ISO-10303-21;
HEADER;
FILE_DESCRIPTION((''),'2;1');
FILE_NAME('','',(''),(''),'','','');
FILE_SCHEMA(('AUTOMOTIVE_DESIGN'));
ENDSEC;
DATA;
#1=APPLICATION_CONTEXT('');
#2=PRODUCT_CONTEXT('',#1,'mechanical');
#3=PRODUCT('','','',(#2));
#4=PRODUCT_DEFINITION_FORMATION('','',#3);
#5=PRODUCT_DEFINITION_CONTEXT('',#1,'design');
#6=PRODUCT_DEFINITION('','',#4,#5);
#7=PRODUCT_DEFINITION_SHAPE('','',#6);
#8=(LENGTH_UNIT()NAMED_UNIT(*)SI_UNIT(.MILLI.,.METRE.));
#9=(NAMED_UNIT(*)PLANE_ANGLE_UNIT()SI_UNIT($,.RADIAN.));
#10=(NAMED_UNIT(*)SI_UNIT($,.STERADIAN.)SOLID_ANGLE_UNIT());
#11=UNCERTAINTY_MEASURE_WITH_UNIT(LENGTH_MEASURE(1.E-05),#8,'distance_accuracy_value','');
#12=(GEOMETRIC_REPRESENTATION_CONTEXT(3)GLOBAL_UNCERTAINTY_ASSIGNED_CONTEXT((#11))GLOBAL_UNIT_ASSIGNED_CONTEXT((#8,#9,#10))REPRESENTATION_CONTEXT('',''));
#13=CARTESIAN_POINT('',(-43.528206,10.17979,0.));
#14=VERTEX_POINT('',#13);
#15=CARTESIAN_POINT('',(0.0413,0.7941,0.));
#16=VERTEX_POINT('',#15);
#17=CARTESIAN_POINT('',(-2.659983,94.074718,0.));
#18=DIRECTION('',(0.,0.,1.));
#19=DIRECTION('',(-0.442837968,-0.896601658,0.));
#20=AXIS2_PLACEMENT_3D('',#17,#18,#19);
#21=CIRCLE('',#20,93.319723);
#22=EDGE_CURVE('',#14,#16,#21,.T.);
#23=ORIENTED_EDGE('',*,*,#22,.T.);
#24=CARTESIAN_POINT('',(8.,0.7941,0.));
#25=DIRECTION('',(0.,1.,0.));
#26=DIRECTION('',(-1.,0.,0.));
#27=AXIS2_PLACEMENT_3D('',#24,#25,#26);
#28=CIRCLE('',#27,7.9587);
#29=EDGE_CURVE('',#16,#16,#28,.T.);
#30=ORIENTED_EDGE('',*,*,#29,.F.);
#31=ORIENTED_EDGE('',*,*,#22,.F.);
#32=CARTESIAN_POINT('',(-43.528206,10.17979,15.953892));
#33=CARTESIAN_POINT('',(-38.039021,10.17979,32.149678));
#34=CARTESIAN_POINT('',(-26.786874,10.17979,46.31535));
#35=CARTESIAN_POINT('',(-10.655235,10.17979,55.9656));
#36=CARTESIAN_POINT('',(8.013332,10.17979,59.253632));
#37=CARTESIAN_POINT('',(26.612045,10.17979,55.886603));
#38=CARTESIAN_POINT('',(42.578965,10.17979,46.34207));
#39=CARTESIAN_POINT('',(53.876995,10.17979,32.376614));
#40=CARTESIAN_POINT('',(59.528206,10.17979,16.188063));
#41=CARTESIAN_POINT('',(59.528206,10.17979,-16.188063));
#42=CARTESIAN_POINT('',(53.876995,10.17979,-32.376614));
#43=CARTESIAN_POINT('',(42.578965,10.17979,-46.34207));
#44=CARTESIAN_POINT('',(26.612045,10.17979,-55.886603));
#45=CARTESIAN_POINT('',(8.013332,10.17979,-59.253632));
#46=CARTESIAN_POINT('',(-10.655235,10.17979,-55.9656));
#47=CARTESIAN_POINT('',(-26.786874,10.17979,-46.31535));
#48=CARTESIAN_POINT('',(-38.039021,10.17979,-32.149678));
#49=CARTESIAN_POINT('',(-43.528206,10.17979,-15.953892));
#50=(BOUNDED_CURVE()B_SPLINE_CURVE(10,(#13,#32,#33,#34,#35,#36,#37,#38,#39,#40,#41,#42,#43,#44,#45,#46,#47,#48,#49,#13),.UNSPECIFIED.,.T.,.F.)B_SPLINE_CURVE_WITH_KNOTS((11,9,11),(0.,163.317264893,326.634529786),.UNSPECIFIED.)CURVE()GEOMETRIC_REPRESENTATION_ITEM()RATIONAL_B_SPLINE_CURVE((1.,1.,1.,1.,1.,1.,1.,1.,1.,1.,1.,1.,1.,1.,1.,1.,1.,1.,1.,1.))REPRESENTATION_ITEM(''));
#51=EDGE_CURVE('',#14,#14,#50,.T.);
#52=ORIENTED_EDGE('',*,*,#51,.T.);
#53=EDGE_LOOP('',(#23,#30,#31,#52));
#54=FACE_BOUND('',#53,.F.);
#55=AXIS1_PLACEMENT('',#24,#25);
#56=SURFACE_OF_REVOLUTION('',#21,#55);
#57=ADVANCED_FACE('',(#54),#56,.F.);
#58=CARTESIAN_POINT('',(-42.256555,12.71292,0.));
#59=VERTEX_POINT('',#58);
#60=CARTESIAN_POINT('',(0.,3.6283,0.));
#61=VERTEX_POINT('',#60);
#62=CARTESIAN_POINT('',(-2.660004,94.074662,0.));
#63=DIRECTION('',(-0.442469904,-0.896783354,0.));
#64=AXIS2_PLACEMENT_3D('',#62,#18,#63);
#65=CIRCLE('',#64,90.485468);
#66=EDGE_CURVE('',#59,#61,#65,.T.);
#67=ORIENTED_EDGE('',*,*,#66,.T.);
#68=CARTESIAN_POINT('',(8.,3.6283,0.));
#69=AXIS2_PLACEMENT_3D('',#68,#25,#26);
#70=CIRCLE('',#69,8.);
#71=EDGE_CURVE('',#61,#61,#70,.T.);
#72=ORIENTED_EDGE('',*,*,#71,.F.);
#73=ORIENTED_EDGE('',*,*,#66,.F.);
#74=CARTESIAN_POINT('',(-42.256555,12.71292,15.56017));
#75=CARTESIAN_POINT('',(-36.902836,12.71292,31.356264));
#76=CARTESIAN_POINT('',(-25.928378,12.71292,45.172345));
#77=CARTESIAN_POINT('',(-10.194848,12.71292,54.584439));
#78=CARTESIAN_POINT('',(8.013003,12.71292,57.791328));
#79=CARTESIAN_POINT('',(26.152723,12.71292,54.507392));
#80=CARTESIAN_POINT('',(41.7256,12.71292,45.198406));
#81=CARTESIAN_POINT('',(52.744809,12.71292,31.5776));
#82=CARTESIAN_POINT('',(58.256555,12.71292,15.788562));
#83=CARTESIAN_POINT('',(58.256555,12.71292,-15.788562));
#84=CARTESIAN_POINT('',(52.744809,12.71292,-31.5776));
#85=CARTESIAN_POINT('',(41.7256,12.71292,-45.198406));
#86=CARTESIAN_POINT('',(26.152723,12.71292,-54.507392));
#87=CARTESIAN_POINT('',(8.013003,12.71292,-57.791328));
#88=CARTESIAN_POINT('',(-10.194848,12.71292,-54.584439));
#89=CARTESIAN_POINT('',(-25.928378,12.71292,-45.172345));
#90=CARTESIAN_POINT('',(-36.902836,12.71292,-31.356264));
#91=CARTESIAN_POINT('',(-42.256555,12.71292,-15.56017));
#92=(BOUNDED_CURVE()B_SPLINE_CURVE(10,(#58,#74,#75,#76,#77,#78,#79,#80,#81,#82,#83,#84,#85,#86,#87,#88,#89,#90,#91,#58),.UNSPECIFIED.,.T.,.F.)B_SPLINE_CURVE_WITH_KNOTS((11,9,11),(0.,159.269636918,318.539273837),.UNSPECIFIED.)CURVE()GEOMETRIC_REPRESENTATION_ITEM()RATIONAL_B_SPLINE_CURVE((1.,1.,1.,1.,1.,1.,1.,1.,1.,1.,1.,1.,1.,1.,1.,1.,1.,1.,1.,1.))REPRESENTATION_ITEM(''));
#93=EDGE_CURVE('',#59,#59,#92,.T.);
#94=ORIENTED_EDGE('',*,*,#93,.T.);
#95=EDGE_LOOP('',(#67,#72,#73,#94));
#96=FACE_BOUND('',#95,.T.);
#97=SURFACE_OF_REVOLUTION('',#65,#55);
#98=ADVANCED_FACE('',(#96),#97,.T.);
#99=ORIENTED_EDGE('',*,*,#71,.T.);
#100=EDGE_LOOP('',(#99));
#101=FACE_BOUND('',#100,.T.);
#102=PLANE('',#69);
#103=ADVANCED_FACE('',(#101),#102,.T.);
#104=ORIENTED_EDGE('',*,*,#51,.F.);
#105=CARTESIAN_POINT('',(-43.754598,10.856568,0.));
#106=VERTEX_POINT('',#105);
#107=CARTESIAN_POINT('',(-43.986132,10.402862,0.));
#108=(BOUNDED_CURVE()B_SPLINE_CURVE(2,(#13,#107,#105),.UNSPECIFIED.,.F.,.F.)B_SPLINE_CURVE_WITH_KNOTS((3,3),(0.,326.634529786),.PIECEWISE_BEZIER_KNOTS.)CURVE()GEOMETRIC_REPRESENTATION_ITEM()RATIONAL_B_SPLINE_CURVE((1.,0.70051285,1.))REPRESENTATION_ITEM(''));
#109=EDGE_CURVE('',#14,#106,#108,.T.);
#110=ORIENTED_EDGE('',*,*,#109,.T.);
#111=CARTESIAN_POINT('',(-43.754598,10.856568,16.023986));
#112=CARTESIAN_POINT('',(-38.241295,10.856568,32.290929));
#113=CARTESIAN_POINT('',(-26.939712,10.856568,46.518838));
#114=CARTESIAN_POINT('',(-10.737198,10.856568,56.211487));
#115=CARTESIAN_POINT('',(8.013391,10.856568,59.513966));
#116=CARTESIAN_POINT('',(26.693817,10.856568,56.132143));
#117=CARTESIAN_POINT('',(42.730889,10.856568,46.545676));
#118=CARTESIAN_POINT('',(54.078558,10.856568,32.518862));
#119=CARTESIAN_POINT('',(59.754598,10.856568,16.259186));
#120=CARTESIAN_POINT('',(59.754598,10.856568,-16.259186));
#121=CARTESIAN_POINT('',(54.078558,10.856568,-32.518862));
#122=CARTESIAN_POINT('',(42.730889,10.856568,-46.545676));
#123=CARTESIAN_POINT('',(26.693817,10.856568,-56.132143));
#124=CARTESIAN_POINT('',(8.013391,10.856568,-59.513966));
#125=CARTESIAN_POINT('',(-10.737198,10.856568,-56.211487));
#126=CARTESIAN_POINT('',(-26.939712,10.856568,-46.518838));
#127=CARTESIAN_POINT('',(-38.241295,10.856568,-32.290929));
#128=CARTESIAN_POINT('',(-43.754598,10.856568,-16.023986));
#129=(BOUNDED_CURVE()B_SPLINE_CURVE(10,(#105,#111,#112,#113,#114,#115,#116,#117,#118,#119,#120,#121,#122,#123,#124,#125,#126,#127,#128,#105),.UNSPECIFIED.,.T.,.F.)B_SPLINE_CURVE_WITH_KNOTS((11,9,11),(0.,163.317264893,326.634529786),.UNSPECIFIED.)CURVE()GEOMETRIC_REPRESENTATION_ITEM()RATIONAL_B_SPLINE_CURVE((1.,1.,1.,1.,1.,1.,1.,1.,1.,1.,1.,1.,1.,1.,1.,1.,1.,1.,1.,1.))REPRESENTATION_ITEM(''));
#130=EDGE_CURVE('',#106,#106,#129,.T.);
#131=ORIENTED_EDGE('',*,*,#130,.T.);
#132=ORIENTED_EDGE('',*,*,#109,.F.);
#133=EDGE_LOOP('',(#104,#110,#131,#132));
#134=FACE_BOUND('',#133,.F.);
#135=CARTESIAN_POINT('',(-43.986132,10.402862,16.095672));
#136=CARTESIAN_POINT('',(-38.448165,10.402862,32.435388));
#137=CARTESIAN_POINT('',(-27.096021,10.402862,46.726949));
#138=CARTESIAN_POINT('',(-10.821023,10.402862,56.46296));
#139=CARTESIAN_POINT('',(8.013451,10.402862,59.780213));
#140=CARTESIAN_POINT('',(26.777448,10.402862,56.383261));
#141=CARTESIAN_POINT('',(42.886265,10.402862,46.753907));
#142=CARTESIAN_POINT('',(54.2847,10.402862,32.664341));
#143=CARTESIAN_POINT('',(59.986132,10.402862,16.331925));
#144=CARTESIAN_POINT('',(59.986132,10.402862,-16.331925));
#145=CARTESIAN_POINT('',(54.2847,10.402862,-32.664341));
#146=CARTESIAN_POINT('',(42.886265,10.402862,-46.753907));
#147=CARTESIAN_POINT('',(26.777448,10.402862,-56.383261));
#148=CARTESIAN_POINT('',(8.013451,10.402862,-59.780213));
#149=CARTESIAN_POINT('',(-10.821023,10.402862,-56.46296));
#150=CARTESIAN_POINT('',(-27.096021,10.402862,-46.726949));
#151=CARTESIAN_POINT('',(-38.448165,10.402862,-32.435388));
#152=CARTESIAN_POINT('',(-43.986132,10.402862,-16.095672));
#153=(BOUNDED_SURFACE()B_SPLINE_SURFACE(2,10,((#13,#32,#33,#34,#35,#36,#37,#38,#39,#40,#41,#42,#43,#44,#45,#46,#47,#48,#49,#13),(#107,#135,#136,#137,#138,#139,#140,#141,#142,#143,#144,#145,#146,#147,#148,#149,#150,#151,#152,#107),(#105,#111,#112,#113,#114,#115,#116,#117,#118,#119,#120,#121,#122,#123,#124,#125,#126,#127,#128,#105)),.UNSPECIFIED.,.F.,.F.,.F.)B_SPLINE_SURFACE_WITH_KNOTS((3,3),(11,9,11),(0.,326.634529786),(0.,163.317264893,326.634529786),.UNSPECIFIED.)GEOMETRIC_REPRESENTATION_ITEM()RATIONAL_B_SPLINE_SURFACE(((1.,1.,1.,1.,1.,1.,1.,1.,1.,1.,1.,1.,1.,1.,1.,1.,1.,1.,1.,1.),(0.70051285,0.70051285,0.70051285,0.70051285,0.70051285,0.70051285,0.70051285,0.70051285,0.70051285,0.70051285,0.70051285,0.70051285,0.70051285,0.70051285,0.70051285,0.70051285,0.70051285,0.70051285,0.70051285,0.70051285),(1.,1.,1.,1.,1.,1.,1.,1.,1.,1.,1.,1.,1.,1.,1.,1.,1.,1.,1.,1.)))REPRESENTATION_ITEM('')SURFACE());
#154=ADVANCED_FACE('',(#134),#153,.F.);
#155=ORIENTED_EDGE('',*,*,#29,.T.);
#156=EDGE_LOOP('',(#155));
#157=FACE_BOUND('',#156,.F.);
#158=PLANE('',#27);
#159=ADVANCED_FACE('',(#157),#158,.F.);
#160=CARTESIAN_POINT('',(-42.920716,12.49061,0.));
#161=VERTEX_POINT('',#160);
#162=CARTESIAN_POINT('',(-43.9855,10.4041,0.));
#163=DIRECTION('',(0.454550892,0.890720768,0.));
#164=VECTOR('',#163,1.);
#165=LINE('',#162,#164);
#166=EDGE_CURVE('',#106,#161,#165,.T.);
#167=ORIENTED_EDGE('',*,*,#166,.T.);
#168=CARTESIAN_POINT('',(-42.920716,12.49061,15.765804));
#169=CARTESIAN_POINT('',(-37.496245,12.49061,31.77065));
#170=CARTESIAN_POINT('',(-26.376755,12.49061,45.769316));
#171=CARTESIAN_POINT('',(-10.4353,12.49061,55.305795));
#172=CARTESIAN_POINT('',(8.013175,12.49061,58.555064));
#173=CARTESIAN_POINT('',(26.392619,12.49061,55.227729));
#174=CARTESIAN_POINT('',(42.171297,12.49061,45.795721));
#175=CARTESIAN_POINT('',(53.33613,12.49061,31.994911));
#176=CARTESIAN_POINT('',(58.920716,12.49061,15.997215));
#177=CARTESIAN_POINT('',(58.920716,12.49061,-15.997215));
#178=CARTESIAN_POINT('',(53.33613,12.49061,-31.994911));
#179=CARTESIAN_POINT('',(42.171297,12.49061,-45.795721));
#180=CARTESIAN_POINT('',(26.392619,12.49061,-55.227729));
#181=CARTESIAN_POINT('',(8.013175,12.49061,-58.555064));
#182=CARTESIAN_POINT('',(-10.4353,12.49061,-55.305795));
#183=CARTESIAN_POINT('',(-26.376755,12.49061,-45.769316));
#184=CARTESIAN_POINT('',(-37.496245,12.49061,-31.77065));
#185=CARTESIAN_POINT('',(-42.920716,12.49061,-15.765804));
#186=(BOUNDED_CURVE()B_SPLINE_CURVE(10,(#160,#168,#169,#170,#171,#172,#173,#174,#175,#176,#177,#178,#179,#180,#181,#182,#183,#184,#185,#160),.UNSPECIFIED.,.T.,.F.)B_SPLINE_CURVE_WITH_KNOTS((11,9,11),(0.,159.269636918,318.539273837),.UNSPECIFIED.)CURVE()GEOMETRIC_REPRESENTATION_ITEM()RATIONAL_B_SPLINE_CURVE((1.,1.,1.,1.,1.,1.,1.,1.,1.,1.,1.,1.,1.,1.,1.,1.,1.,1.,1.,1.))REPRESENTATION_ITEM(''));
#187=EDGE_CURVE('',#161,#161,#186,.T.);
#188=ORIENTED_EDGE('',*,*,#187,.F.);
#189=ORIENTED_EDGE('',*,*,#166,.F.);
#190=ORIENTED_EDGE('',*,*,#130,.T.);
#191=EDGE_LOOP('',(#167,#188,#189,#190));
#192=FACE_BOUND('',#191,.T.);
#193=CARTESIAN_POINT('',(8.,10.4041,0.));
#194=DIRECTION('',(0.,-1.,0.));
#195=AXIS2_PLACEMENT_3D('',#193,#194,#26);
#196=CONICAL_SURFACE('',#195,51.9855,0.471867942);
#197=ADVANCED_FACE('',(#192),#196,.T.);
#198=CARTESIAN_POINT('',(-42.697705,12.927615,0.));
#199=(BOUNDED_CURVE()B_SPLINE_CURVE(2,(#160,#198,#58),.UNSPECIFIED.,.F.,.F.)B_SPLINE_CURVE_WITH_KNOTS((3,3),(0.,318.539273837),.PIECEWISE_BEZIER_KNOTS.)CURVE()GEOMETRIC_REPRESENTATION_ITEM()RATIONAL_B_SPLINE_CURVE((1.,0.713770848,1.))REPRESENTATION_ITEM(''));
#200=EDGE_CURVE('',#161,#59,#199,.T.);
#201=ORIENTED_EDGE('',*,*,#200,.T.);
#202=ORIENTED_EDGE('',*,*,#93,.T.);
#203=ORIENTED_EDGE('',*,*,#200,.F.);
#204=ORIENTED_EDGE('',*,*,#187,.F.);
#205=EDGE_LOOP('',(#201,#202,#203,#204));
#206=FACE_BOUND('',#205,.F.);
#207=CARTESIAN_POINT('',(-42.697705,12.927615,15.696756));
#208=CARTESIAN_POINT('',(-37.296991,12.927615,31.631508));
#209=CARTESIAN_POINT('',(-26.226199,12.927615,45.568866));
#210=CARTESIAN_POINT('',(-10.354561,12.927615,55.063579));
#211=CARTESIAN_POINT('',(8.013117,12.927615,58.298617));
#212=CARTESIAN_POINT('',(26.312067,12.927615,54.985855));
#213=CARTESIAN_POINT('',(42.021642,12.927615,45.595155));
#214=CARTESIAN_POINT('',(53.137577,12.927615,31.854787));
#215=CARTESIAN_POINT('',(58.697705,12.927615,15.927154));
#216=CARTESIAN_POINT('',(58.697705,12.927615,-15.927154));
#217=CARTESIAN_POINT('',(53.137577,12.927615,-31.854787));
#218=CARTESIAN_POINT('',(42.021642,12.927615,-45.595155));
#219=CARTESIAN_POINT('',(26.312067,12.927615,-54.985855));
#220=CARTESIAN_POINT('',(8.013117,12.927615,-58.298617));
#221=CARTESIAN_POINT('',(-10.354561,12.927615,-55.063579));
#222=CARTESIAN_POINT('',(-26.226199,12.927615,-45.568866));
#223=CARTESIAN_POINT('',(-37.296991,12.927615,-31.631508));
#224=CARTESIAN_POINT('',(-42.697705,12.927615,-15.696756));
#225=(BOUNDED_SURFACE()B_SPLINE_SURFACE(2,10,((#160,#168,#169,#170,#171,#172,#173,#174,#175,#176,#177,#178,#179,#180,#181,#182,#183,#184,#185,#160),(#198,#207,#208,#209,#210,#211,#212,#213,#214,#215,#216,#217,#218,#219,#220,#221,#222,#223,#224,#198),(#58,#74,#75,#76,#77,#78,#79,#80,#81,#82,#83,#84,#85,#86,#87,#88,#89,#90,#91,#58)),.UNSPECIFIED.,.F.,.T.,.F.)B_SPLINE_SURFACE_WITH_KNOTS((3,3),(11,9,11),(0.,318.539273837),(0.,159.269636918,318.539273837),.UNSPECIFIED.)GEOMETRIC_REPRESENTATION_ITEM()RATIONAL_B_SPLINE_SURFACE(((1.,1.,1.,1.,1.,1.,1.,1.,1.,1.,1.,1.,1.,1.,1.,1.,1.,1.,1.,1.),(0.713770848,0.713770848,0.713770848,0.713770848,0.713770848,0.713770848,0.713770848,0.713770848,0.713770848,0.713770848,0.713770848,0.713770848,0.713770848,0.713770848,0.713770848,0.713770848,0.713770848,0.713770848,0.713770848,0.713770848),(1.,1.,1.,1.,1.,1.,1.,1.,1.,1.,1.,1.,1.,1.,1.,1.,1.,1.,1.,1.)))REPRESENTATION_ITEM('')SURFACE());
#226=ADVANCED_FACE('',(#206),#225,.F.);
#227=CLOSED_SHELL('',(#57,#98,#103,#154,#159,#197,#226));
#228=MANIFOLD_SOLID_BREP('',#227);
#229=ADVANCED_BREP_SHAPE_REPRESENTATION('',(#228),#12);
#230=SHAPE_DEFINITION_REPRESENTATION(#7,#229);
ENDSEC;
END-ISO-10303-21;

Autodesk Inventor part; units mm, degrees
ref_plane "YZ Plane" through (0, 0, 0) normal (1, 0, 0) x (0, 1, 0)
ref_plane "XZ Plane" through (0, 0, 0) normal (0, 1, 0) x (-1, 0, 0)
ref_plane "XY Plane" through (0, 0, 0) normal (0, 0, 1) x (1, 0, 0)
sketch "스케치1" plane through (0, 0, 0) normal (0, 0, 1) x (1, 0, 0)
  line L0 (0, 3.6283) -> (8, 3.6283)
  arc A0 (-42.6971, 12.9288) -> (0, 3.6283) centre (-2.6602, 94.0741) ccw
  arc A1 (-43.9855, 10.4041) -> (0.0413, 0.7941) centre (-2.6602, 94.0741) ccw
  line L1 (0.0413, 0.7941) -> (8, 0.7941)
  line L2 (-43.9855, 10.4041) -> (-42.6971, 12.9288)
  line L3 (8, 0.7941) -> (8, 3.6283)
  point P0 (0, 0)
  dimension "d0" = 8
revolve "회전1" add sketch "스케치1" angle 360 about axis through (8, 0.7941, 0) along (0, 1, 0)
fillet "모깎기1" radius 0.5 2 edges at (58.6971, 12.9288, 0) (59.9855, 10.4041, 0)
properties part number "240516_cup2"
